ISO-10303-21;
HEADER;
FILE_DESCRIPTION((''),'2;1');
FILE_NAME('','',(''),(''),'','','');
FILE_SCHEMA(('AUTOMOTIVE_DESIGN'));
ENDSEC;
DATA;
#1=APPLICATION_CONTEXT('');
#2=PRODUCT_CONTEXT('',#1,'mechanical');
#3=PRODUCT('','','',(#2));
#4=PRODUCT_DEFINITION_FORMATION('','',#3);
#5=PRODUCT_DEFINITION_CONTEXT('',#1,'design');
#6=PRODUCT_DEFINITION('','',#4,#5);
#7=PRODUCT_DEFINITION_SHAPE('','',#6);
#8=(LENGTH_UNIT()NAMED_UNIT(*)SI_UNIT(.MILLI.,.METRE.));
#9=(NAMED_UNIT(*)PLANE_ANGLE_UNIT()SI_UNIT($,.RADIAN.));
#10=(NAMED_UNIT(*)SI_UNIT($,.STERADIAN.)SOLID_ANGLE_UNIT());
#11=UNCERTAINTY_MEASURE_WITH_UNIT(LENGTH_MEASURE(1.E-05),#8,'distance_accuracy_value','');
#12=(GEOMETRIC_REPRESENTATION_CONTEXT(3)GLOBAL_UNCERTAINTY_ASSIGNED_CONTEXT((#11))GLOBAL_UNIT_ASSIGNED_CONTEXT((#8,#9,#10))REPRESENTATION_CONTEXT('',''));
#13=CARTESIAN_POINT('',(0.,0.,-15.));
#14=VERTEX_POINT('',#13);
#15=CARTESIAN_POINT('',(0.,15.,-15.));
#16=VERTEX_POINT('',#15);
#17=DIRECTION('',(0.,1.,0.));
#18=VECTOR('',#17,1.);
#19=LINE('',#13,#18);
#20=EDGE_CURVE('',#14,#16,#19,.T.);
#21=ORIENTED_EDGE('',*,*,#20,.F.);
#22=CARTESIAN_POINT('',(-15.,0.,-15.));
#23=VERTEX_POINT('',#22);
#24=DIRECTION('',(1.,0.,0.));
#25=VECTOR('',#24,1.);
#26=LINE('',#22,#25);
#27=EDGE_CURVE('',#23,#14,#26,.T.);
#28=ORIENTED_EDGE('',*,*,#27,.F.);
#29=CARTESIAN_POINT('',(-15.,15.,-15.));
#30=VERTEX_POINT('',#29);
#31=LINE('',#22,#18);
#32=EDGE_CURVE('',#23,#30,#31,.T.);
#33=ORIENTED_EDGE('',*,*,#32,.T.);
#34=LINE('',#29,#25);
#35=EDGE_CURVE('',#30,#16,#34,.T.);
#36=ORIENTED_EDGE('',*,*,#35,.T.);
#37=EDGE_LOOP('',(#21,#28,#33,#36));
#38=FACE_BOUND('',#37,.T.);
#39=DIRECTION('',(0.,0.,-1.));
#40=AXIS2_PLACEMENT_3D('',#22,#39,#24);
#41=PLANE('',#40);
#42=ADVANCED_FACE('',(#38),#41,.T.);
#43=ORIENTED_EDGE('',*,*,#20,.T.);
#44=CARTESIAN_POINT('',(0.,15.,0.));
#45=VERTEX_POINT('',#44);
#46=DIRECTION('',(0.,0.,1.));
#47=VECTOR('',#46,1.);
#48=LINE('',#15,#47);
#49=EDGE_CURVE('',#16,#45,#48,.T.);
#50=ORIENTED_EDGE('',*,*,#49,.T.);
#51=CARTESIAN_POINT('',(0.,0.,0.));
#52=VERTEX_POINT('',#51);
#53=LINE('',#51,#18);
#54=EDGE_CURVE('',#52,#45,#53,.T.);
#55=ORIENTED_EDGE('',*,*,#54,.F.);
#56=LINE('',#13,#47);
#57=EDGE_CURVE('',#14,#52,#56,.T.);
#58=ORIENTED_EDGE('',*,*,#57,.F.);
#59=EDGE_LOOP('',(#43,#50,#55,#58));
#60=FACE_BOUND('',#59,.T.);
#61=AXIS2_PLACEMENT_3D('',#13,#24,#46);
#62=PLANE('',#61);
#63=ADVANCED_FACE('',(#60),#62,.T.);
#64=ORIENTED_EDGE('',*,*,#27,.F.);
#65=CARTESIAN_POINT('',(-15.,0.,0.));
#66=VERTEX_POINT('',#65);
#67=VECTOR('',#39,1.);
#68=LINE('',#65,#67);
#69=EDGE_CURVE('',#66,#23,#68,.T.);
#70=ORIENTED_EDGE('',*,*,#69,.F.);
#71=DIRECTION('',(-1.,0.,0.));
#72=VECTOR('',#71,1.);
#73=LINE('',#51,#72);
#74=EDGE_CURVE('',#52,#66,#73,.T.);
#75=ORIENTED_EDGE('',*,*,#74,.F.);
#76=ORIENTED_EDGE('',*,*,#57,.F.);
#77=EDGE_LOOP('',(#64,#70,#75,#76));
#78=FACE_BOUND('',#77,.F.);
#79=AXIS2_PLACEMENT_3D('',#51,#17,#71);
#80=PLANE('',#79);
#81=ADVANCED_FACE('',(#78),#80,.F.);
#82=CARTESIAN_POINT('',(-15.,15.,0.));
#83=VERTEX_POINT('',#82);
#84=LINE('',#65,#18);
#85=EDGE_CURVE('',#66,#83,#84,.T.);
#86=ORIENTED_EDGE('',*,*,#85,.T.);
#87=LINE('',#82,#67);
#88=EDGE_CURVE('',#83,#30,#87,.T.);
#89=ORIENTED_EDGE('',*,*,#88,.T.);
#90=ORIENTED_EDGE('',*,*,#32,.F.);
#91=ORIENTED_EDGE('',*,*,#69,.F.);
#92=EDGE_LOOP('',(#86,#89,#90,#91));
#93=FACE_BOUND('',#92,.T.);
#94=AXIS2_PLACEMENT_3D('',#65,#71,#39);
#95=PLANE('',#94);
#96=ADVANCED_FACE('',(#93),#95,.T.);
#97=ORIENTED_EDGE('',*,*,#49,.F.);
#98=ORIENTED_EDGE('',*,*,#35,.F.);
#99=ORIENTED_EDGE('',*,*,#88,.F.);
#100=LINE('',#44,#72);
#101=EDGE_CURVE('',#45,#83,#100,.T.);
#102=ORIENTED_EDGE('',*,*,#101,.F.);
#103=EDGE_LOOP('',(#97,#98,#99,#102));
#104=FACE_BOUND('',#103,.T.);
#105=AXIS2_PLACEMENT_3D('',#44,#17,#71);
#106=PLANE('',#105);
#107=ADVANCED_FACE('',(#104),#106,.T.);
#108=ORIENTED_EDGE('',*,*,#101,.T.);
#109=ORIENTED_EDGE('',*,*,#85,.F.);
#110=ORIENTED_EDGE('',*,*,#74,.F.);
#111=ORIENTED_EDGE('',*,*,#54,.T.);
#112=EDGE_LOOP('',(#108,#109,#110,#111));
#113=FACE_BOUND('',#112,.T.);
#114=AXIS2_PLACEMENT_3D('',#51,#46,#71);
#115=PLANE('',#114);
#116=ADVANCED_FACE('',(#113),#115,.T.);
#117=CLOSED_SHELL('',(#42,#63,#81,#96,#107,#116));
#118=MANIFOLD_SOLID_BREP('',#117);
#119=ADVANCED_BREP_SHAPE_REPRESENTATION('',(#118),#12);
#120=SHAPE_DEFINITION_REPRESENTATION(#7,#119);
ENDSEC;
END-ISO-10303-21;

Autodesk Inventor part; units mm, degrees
ref_plane "YZ Plane" through (0, 0, 0) normal (1, 0, 0) x (0, 1, 0)
ref_plane "XZ Plane" through (0, 0, 0) normal (0, 1, 0) x (-1, 0, 0)
ref_plane "XY Plane" through (0, 0, 0) normal (0, 0, 1) x (1, 0, 0)
sketch "Sketch1" plane through (0, 0, 0) normal (0, 1, 0) x (-1, 0, 0)
  line L0 (0, 0) -> (15, 0)
  line L1 (15, 0) -> (15, -15)
  line L2 (15, -15) -> (0, -15)
  line L3 (0, -15) -> (0, 0)
  dimension "d0" = 15
  dimension "d1" = 15
extrude "Extrusion1" add sketch "Sketch1" along normal blind 15
properties part number "hall effect mounting block"
